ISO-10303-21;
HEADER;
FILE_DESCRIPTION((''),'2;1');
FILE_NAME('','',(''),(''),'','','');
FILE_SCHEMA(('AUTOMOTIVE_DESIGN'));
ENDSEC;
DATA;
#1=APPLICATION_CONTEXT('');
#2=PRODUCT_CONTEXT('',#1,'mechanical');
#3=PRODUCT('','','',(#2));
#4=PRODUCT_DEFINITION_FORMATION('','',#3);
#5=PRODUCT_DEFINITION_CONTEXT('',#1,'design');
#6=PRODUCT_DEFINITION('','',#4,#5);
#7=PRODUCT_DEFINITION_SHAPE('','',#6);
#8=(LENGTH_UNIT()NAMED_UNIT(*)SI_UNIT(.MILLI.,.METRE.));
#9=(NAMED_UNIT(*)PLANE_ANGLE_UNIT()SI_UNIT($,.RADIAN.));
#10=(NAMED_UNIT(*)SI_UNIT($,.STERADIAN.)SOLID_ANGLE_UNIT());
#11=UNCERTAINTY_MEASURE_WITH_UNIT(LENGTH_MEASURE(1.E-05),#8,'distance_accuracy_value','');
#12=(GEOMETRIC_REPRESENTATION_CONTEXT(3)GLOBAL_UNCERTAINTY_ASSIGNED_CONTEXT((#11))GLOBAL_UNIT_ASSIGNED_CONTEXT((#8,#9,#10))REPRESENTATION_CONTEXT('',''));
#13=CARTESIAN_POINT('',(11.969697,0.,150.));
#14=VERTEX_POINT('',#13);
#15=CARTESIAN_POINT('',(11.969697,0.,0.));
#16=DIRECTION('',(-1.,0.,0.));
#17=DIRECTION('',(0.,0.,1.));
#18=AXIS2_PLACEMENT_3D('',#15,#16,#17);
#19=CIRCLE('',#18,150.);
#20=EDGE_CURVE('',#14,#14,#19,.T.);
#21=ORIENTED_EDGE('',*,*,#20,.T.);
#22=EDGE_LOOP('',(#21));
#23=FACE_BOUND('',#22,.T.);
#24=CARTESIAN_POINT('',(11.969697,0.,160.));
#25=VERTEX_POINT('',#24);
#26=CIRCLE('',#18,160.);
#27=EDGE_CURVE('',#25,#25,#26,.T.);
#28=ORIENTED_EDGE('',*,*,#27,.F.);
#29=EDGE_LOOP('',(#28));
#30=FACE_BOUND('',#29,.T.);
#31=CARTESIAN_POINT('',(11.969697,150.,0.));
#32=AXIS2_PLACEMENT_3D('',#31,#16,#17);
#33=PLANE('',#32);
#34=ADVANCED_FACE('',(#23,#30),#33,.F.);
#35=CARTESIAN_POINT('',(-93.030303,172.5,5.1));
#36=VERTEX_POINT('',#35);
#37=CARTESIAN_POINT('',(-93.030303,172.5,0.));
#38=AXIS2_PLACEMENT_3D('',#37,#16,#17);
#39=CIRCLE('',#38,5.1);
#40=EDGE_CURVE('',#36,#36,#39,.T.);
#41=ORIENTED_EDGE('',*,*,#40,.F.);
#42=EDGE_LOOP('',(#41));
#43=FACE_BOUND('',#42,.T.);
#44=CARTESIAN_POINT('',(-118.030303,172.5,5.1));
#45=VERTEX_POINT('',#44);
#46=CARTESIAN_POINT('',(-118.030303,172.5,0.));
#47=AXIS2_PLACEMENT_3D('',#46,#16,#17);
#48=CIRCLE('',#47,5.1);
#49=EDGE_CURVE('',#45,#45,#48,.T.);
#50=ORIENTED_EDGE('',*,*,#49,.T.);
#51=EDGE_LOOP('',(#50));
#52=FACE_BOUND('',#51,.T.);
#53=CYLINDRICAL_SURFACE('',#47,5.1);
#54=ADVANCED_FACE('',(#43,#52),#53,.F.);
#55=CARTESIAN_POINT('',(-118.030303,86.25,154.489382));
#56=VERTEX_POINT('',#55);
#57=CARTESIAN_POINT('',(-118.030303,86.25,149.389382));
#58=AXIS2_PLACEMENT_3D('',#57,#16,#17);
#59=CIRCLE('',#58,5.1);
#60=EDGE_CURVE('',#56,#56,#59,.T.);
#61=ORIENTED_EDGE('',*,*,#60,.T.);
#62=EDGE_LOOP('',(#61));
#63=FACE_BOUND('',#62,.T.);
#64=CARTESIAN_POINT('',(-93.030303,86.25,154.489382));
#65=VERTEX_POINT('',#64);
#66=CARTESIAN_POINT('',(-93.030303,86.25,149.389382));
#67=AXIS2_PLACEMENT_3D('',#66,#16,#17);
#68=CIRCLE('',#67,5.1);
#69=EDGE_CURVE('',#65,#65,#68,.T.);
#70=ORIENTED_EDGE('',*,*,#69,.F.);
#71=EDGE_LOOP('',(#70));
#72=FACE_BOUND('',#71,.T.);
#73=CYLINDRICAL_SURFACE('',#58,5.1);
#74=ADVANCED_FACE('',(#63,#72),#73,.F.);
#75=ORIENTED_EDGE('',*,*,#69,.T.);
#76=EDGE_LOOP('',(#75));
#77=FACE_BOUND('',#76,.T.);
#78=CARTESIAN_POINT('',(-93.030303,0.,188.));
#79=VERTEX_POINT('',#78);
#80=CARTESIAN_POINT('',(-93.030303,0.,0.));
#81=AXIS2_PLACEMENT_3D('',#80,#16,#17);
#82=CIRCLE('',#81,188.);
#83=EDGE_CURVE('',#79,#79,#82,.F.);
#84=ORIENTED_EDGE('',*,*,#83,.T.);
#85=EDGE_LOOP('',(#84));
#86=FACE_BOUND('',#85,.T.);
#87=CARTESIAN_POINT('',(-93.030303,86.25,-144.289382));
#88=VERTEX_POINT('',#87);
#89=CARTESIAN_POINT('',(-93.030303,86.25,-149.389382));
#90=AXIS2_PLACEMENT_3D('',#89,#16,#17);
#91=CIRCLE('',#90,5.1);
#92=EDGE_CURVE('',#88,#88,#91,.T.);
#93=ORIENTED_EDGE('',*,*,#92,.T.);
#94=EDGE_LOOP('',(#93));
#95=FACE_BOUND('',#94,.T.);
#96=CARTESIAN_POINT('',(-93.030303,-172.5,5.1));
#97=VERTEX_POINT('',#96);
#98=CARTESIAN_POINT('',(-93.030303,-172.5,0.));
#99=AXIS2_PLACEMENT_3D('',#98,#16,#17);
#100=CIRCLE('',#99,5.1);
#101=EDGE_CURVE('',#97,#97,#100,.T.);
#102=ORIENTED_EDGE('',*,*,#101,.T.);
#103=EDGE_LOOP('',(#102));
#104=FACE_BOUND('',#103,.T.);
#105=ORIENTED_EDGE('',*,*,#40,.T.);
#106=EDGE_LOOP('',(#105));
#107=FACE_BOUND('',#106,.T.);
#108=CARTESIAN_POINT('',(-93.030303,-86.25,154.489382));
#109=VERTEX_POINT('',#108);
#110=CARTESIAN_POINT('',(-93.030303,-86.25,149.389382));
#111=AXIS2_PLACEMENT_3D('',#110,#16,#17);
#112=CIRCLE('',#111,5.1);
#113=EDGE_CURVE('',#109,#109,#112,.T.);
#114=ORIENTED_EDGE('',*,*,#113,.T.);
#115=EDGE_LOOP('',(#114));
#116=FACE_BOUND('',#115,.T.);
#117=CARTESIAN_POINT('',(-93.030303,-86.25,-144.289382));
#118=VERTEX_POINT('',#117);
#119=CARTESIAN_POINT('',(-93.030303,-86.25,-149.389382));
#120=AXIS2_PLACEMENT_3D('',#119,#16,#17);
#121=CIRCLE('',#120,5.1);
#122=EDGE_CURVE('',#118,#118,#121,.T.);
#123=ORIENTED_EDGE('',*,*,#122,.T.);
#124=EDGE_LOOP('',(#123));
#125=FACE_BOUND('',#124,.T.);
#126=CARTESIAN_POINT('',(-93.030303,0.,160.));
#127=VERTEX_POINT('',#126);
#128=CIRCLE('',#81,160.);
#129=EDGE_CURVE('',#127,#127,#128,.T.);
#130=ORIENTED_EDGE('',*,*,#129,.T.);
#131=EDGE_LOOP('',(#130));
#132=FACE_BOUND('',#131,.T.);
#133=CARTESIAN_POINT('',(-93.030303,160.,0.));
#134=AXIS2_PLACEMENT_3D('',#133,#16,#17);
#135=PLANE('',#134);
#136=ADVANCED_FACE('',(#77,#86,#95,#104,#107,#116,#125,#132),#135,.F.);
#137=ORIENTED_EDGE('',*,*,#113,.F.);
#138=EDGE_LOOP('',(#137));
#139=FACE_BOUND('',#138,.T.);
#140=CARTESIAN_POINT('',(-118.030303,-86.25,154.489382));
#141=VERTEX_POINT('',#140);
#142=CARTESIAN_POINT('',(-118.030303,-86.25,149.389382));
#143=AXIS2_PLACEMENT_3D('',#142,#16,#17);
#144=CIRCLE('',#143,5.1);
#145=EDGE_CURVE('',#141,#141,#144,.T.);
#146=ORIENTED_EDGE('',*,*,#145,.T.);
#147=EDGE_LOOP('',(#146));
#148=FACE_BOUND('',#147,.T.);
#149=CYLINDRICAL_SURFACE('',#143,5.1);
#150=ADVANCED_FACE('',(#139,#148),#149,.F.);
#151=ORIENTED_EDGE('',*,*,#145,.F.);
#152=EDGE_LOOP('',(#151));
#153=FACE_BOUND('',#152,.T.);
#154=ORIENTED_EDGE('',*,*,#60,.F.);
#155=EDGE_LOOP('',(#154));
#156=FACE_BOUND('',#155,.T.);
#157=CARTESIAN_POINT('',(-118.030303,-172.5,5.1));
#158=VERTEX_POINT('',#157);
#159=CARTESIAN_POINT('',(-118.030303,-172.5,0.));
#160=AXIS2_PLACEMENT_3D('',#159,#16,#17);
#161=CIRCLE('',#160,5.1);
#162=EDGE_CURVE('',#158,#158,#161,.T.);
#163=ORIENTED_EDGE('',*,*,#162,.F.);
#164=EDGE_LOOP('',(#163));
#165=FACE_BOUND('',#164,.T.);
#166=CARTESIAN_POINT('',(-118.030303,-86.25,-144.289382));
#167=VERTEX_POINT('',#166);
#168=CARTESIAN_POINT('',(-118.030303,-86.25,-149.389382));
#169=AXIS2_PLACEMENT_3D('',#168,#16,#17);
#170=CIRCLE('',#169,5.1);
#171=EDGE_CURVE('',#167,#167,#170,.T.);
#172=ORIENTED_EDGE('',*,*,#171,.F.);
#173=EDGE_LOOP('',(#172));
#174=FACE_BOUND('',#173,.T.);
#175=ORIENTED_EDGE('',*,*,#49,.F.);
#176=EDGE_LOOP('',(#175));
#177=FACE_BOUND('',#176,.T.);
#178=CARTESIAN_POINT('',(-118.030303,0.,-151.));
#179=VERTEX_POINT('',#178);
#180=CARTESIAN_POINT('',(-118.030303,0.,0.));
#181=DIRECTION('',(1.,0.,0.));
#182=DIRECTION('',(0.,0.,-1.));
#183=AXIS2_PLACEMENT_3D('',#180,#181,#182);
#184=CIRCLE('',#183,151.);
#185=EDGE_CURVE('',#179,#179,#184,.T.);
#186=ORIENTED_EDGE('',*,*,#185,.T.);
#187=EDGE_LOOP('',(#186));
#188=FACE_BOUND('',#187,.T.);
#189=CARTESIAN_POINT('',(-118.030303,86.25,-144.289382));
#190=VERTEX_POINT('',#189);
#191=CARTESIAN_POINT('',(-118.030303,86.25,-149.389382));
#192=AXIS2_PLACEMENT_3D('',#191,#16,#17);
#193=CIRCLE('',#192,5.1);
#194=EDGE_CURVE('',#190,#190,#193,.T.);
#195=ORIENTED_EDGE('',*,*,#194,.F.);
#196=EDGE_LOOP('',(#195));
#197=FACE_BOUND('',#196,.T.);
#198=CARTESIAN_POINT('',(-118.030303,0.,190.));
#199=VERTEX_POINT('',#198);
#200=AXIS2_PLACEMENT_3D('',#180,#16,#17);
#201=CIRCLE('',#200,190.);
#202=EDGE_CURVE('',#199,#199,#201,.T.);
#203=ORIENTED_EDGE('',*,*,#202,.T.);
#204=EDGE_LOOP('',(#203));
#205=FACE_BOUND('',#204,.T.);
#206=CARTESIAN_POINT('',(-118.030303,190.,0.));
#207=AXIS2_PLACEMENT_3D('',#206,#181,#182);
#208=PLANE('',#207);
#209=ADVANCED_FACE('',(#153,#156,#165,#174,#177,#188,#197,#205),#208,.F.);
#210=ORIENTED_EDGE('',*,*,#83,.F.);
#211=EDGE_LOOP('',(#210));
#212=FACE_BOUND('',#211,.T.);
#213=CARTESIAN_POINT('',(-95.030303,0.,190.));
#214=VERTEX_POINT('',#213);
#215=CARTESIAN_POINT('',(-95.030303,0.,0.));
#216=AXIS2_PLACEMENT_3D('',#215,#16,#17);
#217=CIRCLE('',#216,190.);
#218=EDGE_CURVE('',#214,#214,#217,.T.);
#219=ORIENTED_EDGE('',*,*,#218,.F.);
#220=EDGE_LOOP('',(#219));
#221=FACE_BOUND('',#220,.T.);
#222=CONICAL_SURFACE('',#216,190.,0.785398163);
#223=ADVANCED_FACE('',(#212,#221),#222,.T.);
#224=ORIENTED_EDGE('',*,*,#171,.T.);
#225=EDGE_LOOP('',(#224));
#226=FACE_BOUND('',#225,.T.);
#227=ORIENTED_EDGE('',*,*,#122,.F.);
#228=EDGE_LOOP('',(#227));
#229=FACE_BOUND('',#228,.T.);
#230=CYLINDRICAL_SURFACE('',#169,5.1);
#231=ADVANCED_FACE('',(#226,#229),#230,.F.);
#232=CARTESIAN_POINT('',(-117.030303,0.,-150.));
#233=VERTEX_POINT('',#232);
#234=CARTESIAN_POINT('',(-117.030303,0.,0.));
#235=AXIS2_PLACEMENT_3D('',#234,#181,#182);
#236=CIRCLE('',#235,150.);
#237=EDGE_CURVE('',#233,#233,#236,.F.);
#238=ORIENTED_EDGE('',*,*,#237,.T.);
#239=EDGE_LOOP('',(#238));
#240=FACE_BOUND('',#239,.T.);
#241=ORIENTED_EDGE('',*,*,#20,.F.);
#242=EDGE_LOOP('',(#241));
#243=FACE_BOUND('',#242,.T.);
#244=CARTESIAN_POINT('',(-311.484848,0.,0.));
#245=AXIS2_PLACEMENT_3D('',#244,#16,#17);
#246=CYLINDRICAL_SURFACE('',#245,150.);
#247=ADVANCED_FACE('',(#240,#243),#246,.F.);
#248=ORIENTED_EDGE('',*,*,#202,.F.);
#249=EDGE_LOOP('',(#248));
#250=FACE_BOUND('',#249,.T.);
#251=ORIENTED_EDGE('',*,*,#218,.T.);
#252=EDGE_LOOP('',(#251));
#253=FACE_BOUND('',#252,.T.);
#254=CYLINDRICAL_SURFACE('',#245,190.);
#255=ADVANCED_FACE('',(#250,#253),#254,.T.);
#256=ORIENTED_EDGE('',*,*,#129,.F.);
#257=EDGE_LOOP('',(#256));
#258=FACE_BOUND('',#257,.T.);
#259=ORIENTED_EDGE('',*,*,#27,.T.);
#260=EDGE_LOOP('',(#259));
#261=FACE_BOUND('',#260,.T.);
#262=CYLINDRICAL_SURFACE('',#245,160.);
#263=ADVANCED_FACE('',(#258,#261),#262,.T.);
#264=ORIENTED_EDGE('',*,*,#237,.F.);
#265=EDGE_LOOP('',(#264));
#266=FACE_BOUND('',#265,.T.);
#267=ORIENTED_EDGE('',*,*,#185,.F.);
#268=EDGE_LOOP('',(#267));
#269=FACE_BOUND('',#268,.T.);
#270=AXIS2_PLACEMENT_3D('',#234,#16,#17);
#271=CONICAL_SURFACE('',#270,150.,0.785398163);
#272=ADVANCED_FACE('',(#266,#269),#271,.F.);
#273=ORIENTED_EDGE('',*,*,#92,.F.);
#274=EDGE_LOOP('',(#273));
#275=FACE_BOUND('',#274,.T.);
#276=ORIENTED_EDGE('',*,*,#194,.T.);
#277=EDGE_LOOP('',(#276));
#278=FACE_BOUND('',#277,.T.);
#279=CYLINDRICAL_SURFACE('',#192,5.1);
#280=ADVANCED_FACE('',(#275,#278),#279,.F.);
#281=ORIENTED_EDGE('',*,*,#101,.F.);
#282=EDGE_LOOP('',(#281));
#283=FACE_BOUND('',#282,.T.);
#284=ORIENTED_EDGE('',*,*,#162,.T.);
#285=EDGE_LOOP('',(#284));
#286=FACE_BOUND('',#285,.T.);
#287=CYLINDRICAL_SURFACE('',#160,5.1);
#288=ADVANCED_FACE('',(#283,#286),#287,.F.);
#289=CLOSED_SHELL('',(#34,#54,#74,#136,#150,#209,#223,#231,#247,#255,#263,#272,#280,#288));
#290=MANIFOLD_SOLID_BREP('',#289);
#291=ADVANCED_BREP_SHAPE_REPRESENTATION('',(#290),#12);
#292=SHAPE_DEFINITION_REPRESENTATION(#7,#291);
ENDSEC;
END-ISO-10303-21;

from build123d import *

# Parameters (mm, degrees)
CHAMFER_1_SIZE           = 2
CHAMFER_2_SIZE           = 1
PATTERN_CIRCULAR_1_COUNT = 6


with BuildPart() as part:
    # Эскиз1 → Повернуть1 (revolve)
    with BuildSketch(Plane.XY, mode=Mode.PRIVATE) as revolve_1_sk:
        Polygon((-118.03030303, 150), (11.96969697, 150), (11.96969697, 160), (-93.03030303, 160), (-93.03030303, 190), (-118.03030303, 190), align=None)
    revolve(revolve_1_sk.sketch.rotate(Axis((-311.484848485, 0, 0), (1, 0, 0)), 90), axis=Axis((-311.484848485, 0, 0), (1, 0, 0)))

    # Фаска1
    chamfer_1_edges = [part.edges().sort_by_distance(p)[0] for p in [
        (-93.03030303, 0, -190),
    ]]
    chamfer(chamfer_1_edges, length=CHAMFER_1_SIZE)

    # Фаска2
    chamfer_2_edges = [part.edges().sort_by_distance(p)[0] for p in [
        (-118.03030303, 0, -150),
    ]]
    chamfer(chamfer_2_edges, length=CHAMFER_2_SIZE)

    # Эскиз6 → Отверстие обработанное метчиком M121 (revolve, cut)
    with BuildSketch(Plane(origin=(-118.03030303, 172.5, 0), x_dir=(0, 0, 1), z_dir=(0, 1, 0))):
        Polygon((0, 0), (0, 35.814389157), (5.1, 32.75), (5.1, 0), align=None)
    hole_wizard_m121 = revolve(axis=Axis((-124.38030303, 172.5, 0), (1, 0, 0)), mode=Mode.SUBTRACT)

    # Круговой массив1: Отверстие обработанное метчиком M121 ×6 about axis
    pattern_circular_1_axis = Axis((0, 0, 0), (1, 0, 0))
    for i in range(1, PATTERN_CIRCULAR_1_COUNT):
        add(hole_wizard_m121.rotate(pattern_circular_1_axis, i * 360 / PATTERN_CIRCULAR_1_COUNT), mode=Mode.SUBTRACT)


solid = part.part
